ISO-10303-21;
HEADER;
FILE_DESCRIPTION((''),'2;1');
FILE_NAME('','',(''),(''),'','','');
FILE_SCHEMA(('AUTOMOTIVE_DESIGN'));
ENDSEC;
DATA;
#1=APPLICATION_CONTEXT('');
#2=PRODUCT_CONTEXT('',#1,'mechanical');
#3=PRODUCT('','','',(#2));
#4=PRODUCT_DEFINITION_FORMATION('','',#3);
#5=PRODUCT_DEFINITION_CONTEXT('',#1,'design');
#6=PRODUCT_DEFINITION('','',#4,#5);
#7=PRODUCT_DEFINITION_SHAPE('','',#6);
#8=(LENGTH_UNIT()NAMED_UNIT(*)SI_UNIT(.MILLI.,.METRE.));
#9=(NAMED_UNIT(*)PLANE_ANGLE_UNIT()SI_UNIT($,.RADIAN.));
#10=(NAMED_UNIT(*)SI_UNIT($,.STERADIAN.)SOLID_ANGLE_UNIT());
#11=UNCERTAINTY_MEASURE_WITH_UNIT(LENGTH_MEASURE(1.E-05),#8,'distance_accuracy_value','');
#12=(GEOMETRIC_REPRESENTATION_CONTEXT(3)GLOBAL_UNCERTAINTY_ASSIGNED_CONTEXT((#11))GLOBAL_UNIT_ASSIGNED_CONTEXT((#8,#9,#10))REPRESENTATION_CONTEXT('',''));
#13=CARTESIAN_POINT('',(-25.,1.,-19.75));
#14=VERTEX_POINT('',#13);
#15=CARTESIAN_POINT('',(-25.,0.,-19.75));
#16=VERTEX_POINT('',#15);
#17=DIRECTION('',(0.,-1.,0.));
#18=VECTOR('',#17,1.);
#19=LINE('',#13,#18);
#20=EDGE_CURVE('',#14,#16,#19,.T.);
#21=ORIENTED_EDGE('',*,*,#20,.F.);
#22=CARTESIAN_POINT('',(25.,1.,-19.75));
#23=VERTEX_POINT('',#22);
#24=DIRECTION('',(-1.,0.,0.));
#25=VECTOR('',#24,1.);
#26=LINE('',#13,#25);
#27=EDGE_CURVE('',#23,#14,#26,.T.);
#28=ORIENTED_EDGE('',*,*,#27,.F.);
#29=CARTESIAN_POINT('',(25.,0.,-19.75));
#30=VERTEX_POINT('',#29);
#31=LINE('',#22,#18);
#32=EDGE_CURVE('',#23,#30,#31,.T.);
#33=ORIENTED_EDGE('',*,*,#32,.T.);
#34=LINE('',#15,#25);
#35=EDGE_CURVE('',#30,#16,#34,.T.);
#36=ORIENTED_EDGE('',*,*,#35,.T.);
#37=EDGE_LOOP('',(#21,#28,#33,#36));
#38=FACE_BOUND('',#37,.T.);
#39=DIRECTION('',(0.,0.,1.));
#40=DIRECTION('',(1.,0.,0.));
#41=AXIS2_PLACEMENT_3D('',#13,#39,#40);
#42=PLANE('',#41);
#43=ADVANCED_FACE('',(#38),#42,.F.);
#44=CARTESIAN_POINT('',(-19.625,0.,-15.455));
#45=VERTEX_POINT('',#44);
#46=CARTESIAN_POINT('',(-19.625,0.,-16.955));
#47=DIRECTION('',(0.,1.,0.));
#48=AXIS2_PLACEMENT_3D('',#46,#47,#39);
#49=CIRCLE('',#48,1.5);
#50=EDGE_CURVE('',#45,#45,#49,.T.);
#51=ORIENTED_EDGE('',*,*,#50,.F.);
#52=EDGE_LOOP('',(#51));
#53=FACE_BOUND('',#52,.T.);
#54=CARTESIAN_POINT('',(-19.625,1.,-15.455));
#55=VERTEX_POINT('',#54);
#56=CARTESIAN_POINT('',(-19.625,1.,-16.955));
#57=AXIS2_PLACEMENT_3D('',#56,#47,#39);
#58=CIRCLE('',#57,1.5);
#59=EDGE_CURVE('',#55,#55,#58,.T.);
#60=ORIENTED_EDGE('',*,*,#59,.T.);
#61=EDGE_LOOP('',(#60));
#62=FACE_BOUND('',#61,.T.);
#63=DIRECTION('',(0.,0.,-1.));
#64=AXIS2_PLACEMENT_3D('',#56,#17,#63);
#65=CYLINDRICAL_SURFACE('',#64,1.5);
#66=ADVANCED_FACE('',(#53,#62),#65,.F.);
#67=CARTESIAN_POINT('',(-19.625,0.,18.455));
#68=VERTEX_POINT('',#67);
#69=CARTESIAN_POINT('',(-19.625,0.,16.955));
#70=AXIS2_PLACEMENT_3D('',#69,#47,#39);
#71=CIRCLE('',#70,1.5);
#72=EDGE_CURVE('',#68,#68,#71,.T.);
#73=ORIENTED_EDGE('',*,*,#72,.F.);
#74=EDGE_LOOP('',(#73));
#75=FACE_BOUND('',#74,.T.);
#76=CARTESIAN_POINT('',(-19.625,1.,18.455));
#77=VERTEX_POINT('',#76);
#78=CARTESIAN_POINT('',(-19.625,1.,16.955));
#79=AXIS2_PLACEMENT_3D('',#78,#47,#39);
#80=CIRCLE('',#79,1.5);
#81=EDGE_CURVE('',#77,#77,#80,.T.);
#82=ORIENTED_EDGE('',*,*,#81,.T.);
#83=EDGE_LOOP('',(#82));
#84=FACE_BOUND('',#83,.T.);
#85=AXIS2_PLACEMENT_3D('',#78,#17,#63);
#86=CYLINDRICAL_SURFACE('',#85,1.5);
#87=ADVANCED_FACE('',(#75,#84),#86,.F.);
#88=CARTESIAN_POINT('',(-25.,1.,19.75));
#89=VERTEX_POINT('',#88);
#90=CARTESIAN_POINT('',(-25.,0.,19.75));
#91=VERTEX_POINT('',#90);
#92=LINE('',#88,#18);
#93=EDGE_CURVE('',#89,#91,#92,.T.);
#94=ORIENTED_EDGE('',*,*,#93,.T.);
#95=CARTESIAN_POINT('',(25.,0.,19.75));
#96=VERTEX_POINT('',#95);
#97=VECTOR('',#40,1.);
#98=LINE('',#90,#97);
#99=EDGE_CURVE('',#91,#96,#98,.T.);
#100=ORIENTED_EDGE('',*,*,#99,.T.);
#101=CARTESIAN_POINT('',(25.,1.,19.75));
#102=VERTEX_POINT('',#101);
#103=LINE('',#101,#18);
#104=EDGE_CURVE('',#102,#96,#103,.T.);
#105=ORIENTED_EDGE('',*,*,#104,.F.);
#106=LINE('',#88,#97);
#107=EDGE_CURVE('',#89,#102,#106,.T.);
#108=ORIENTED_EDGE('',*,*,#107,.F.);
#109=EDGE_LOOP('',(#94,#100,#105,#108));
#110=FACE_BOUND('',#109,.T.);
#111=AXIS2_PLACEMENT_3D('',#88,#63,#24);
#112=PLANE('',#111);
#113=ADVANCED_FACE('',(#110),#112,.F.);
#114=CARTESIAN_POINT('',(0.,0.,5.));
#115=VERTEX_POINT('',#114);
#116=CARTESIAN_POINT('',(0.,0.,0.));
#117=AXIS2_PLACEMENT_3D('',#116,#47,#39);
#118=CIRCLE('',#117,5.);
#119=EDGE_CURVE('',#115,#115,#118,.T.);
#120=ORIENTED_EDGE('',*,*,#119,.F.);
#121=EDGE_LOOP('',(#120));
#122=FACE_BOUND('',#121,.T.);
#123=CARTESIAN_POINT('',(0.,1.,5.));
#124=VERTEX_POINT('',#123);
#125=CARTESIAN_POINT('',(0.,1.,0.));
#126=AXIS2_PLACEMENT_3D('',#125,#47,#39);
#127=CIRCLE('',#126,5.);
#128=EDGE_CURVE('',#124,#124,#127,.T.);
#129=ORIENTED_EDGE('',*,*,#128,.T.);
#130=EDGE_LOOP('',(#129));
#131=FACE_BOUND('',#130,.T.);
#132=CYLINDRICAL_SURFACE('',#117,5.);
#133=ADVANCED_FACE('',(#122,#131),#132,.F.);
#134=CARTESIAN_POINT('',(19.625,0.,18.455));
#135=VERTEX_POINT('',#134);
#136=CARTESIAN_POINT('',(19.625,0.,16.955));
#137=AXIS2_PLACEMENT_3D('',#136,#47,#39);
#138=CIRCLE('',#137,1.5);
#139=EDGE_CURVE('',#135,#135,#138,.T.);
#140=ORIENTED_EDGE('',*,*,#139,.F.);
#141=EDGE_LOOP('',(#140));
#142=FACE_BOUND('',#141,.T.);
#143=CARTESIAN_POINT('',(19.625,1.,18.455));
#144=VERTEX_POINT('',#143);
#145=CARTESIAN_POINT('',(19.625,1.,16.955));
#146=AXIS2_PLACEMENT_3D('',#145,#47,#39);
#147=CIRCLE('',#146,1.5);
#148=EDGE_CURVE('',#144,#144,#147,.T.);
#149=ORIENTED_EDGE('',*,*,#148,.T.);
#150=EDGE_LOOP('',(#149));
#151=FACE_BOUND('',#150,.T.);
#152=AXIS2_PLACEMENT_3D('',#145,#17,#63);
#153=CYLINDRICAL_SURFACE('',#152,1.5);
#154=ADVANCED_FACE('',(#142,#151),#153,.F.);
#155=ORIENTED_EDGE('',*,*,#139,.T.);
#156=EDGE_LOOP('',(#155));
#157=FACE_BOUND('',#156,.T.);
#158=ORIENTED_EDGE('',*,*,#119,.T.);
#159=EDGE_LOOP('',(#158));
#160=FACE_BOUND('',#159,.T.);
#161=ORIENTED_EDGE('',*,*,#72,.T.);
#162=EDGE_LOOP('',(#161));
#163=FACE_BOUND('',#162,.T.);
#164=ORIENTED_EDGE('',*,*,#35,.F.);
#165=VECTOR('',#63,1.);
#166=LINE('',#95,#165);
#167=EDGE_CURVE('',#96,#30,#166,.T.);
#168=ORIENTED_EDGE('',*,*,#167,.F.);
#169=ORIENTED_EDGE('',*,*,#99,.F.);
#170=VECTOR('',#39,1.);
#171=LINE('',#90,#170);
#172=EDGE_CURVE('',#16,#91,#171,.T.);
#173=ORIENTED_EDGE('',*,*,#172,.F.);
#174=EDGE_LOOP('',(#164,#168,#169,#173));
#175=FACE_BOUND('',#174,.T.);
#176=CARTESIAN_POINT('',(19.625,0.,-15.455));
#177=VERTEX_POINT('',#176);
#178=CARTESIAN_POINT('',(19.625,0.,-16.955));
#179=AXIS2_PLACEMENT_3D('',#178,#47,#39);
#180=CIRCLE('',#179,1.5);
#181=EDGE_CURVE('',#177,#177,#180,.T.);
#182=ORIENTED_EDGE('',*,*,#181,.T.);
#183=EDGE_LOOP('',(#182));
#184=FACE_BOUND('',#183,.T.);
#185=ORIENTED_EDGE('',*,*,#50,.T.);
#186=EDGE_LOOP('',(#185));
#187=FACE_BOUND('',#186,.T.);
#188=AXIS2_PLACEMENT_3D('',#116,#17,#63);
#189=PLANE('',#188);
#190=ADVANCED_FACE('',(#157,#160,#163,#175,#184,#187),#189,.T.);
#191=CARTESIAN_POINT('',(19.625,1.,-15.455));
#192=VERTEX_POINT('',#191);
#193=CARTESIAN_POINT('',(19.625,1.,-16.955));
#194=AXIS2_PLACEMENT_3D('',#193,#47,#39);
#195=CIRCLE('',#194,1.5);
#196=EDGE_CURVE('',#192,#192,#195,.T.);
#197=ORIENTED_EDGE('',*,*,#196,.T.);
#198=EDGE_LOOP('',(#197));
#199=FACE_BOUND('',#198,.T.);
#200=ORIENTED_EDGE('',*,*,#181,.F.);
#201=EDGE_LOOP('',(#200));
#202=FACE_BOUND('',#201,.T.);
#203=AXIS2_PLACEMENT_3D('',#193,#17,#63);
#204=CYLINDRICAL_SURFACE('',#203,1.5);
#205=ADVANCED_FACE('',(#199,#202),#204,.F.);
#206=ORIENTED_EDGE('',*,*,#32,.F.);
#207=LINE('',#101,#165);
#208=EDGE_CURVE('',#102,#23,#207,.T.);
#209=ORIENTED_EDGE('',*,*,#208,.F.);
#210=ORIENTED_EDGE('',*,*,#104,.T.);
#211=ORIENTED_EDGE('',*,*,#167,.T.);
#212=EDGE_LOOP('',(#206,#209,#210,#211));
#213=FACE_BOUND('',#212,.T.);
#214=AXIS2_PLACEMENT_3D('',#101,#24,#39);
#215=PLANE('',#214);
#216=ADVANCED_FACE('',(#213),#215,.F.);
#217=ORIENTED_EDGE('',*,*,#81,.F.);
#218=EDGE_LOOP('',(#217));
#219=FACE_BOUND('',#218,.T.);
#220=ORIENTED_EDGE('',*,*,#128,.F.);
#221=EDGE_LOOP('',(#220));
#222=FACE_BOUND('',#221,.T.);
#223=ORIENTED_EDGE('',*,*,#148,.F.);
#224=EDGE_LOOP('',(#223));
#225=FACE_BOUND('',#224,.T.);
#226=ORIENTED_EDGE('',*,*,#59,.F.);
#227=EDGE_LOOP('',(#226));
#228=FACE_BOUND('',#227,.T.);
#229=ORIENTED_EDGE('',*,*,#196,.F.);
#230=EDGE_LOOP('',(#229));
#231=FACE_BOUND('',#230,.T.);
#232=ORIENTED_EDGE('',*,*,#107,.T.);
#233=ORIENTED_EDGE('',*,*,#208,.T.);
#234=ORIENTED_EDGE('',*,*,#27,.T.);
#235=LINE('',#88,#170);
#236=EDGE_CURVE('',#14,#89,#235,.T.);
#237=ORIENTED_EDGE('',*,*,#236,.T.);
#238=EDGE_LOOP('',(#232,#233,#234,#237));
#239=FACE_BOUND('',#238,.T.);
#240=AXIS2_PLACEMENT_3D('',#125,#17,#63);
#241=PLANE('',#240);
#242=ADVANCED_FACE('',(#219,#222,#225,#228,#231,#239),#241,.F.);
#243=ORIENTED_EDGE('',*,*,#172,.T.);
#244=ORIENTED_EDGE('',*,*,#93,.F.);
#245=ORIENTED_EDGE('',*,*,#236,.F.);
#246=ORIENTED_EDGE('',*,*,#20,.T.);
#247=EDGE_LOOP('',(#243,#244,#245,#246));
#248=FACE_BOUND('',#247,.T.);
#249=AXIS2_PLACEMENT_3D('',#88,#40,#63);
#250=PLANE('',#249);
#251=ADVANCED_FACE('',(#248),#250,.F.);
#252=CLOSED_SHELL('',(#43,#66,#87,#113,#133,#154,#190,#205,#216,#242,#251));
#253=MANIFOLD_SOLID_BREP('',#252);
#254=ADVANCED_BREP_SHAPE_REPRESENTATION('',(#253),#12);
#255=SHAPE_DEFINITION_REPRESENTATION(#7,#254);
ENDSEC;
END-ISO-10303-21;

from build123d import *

# Parameters (mm, degrees)
SKETCH1_W           = 50
SKETCH1_H           = 39.5
SKETCH1_R           = 1.5
BOSS_EXTRUDE1_DEPTH = 1
SKETCH2_R           = 5
CUT_EXTRUDE1_DEPTH  = 1


with BuildPart() as part:
    # Sketch1 → Boss-Extrude1 (new body)
    with BuildSketch(Plane(origin=(0, 0, 0), x_dir=(1, 0, 0), z_dir=(0, 1, 0))):
        Rectangle(SKETCH1_W, SKETCH1_H)
        with Locations(Location((-19.625, 16.955, 0), (0, 0, 270))):
            Circle(SKETCH1_R, mode=Mode.SUBTRACT)
        with Locations(Location((-19.625, -16.955, 0), (0, 0, 270))):
            Circle(SKETCH1_R, mode=Mode.SUBTRACT)
        with Locations(Location((19.625, 16.955, 0), (0, 0, 270))):
            Circle(SKETCH1_R, mode=Mode.SUBTRACT)
        with Locations(Location((19.625, -16.955, 0), (0, 0, 270))):
            Circle(SKETCH1_R, mode=Mode.SUBTRACT)
    extrude(amount=BOSS_EXTRUDE1_DEPTH)

    # Sketch2 → Cut-Extrude1 (cut)
    with BuildSketch(Plane(origin=(0, 1, 0), x_dir=(1, 0, 0), z_dir=(0, 1, 0))):
        with Locations(Location((0, 0, 0), (0, 0, 270))):
            Circle(SKETCH2_R)
    extrude(amount=-CUT_EXTRUDE1_DEPTH, mode=Mode.SUBTRACT)


solid = part.part
